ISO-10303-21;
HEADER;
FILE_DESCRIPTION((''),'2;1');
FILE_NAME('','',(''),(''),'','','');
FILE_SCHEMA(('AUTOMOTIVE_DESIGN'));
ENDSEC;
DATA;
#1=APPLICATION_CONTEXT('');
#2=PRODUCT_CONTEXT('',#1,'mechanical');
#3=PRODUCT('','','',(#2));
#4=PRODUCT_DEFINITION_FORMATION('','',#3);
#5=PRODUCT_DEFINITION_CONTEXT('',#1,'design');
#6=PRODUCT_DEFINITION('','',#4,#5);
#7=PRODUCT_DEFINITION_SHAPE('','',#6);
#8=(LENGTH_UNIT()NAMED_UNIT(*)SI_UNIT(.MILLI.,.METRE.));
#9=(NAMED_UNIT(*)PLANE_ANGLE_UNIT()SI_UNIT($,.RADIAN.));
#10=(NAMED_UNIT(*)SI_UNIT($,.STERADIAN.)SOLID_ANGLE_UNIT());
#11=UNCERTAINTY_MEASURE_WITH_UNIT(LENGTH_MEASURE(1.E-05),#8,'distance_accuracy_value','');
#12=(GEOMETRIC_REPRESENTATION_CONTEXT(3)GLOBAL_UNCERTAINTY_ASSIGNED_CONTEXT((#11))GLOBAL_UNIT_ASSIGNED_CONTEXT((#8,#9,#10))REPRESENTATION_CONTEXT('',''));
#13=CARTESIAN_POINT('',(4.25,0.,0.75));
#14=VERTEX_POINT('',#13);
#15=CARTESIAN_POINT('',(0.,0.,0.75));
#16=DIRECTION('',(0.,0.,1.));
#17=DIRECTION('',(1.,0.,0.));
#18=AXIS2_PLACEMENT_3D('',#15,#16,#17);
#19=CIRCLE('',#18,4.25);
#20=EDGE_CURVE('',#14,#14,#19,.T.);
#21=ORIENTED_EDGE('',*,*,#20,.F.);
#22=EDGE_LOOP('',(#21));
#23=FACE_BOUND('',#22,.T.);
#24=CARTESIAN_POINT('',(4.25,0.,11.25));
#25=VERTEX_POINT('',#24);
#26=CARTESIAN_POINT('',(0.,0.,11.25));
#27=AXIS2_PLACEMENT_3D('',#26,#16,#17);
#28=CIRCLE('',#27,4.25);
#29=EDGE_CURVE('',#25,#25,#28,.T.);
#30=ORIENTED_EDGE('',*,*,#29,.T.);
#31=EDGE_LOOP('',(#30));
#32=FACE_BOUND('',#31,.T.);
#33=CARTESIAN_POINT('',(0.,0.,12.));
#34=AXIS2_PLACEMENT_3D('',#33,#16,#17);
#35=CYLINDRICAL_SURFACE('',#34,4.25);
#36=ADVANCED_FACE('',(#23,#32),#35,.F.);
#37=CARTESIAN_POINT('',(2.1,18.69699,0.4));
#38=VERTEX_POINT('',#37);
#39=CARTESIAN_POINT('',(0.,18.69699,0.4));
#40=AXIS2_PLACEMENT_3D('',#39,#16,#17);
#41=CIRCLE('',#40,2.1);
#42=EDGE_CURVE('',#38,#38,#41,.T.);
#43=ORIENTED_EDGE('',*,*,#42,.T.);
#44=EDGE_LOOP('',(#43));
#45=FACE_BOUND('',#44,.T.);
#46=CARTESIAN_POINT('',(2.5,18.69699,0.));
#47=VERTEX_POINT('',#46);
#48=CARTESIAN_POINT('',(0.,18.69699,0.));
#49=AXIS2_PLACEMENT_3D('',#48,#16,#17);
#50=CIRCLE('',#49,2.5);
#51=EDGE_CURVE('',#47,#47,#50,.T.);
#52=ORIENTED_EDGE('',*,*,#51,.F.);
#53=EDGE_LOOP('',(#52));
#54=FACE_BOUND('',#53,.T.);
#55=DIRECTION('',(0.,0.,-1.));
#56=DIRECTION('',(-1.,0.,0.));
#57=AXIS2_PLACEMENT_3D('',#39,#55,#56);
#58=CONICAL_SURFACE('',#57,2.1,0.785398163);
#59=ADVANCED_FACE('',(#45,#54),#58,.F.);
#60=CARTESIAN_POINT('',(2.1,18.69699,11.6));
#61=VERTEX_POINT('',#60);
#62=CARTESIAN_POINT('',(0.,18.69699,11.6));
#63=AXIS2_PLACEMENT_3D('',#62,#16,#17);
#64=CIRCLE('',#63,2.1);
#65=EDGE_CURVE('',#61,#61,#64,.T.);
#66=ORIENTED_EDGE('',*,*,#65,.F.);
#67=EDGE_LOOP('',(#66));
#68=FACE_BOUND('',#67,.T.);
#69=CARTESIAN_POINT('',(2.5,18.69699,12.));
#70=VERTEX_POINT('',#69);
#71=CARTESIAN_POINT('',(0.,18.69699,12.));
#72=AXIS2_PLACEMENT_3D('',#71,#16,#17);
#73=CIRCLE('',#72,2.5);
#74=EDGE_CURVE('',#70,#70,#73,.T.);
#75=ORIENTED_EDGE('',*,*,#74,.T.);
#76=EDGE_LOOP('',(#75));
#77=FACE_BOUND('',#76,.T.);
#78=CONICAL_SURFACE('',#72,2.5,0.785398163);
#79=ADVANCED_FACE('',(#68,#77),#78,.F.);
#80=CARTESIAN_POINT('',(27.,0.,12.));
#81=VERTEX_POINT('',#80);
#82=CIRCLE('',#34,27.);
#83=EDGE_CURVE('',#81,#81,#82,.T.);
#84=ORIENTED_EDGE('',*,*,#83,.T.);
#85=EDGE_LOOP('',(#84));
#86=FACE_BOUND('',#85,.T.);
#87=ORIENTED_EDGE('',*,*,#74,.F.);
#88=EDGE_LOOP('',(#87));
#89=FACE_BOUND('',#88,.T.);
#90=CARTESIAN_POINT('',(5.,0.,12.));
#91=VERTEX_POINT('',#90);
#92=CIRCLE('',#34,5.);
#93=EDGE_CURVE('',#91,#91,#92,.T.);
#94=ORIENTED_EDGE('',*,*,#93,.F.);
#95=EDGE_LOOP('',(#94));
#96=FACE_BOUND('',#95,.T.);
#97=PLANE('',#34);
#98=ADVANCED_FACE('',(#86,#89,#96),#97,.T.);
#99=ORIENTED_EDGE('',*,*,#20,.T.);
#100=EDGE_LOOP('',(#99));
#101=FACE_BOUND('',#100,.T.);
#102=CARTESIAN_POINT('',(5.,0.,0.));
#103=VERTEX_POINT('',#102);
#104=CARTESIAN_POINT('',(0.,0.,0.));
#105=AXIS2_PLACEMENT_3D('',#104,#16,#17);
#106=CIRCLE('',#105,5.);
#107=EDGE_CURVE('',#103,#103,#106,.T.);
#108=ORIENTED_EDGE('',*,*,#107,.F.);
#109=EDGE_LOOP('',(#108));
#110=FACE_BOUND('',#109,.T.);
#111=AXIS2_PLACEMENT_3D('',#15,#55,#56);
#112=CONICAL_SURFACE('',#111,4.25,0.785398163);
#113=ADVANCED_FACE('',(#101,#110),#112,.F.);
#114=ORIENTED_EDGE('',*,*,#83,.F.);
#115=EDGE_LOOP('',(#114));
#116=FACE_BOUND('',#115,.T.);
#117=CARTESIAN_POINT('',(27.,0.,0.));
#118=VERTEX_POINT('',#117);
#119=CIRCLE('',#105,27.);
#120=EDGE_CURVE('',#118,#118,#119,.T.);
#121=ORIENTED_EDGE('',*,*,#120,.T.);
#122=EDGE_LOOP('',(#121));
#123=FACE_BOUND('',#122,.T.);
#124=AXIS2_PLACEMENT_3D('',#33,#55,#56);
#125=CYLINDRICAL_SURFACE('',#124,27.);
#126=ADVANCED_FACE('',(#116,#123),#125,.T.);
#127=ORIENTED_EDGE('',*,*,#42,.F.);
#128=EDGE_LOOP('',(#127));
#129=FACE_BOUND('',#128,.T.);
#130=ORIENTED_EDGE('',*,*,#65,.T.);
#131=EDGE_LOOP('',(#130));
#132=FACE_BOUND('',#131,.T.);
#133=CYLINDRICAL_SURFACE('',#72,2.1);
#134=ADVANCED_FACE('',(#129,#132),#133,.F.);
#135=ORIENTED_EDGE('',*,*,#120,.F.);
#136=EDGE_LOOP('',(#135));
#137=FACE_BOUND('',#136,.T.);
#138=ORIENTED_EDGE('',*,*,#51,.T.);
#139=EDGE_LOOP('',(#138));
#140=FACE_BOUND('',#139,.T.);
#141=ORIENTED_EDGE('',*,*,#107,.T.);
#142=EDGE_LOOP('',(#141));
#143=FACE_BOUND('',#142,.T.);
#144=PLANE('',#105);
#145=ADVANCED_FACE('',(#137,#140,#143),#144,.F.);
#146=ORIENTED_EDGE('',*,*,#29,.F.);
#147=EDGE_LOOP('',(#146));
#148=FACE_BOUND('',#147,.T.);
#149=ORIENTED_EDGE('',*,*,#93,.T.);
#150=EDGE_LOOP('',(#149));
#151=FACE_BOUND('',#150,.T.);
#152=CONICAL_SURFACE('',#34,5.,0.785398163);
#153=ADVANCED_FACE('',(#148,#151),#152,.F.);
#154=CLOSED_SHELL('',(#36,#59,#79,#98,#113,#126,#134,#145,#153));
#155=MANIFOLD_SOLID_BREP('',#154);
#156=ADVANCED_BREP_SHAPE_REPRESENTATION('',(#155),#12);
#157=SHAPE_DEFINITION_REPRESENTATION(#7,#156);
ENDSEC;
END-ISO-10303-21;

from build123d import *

# Parameters (mm, degrees)
SKETCH1_R           = 27
BOSS_EXTRUDE1_DEPTH = 12


with BuildPart() as part:
    # Sketch1 → Boss-Extrude1 (new body)
    with BuildSketch(Plane.XY):
        Circle(SKETCH1_R)
    extrude(amount=BOSS_EXTRUDE1_DEPTH)

    # Sketch8 → M10 Tapped Hole2 (revolve, cut)
    with BuildSketch(Plane(origin=(0, 0, 12), x_dir=(0, -1, 0), z_dir=(1, 0, 0))):
        Polygon((0, 0), (0, 12), (5, 12), (4.25, 11.25), (4.25, 0.75), (5, 0), align=None)
    revolve(axis=Axis((0, 0, 18.35), (0, 0, -1)), mode=Mode.SUBTRACT)

    # Sketch9 → M5 Tapped Hole1 (revolve, cut)
    with BuildSketch(Plane(origin=(0, 18.69698963, 12), x_dir=(0, -1, 0), z_dir=(1, 0, 0))):
        Polygon((0, 0), (0, 12), (2.5, 12), (2.1, 11.6), (2.1, 0.4), (2.5, 0), align=None)
    revolve(axis=Axis((0, 18.69698963, 18.35), (0, 0, -1)), mode=Mode.SUBTRACT)


solid = part.part
